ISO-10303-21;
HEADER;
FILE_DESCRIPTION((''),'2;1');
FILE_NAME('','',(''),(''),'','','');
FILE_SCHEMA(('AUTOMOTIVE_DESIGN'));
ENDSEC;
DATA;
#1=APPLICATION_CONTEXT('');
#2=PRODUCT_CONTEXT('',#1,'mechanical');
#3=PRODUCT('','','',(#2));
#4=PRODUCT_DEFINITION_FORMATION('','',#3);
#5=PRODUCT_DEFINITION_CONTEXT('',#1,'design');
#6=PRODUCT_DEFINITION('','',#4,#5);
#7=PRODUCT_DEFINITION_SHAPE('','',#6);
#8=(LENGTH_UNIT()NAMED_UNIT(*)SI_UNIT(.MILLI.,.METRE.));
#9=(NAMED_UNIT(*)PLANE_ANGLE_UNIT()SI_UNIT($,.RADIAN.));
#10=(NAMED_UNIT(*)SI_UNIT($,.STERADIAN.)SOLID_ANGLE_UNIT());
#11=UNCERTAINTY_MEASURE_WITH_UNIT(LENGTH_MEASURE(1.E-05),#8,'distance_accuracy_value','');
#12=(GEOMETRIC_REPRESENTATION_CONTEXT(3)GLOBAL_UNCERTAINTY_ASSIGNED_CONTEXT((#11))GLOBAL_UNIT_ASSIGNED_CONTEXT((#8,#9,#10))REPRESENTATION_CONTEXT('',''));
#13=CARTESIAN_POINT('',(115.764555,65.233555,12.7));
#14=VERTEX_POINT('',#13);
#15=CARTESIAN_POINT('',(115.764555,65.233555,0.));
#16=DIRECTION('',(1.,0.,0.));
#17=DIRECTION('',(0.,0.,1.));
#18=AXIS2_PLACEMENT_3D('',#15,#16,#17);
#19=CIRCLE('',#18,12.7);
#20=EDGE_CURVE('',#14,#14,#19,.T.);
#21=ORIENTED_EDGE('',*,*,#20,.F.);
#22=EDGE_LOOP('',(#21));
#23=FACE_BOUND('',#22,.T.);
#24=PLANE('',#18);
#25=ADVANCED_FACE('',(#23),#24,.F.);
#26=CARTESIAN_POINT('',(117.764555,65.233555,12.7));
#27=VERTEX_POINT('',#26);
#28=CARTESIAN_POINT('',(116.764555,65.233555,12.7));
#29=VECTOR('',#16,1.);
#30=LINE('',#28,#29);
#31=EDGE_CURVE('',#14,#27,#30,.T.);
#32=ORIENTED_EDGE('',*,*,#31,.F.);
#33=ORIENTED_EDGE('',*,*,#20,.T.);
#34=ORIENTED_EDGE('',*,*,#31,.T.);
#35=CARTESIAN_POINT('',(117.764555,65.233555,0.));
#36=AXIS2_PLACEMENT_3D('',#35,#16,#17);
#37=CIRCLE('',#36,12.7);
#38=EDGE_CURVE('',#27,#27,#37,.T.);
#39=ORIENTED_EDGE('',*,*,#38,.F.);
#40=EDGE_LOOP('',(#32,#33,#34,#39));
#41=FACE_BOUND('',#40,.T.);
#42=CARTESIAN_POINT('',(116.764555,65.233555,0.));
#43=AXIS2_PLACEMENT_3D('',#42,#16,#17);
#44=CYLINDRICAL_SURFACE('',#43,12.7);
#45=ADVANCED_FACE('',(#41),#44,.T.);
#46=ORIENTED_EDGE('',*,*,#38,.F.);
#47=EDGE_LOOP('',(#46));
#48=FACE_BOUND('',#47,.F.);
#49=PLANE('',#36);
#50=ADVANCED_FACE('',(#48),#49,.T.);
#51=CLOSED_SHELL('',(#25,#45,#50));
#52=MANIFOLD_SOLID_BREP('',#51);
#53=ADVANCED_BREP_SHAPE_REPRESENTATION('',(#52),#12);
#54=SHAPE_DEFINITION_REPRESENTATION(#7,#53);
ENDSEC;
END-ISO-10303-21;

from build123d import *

# Parameters (mm, degrees)
SKETCH_1_W = 2
SKETCH_1_H = 12.7


with BuildPart() as part:
    # 草图1 → 旋转1 (revolve)
    with BuildSketch(Plane.XY, mode=Mode.PRIVATE) as revolve_1_sk:
        with Locations((116.764555476, 71.583554926)):
            Rectangle(SKETCH_1_W, SKETCH_1_H)
    revolve(revolve_1_sk.sketch.rotate(Axis((110.165373228, 65.233554926, 0), (1, 0, 0)), 90), axis=Axis((110.165373228, 65.233554926, 0), (1, 0, 0)))  # turned: the seam where the file's is


solid = part.part
